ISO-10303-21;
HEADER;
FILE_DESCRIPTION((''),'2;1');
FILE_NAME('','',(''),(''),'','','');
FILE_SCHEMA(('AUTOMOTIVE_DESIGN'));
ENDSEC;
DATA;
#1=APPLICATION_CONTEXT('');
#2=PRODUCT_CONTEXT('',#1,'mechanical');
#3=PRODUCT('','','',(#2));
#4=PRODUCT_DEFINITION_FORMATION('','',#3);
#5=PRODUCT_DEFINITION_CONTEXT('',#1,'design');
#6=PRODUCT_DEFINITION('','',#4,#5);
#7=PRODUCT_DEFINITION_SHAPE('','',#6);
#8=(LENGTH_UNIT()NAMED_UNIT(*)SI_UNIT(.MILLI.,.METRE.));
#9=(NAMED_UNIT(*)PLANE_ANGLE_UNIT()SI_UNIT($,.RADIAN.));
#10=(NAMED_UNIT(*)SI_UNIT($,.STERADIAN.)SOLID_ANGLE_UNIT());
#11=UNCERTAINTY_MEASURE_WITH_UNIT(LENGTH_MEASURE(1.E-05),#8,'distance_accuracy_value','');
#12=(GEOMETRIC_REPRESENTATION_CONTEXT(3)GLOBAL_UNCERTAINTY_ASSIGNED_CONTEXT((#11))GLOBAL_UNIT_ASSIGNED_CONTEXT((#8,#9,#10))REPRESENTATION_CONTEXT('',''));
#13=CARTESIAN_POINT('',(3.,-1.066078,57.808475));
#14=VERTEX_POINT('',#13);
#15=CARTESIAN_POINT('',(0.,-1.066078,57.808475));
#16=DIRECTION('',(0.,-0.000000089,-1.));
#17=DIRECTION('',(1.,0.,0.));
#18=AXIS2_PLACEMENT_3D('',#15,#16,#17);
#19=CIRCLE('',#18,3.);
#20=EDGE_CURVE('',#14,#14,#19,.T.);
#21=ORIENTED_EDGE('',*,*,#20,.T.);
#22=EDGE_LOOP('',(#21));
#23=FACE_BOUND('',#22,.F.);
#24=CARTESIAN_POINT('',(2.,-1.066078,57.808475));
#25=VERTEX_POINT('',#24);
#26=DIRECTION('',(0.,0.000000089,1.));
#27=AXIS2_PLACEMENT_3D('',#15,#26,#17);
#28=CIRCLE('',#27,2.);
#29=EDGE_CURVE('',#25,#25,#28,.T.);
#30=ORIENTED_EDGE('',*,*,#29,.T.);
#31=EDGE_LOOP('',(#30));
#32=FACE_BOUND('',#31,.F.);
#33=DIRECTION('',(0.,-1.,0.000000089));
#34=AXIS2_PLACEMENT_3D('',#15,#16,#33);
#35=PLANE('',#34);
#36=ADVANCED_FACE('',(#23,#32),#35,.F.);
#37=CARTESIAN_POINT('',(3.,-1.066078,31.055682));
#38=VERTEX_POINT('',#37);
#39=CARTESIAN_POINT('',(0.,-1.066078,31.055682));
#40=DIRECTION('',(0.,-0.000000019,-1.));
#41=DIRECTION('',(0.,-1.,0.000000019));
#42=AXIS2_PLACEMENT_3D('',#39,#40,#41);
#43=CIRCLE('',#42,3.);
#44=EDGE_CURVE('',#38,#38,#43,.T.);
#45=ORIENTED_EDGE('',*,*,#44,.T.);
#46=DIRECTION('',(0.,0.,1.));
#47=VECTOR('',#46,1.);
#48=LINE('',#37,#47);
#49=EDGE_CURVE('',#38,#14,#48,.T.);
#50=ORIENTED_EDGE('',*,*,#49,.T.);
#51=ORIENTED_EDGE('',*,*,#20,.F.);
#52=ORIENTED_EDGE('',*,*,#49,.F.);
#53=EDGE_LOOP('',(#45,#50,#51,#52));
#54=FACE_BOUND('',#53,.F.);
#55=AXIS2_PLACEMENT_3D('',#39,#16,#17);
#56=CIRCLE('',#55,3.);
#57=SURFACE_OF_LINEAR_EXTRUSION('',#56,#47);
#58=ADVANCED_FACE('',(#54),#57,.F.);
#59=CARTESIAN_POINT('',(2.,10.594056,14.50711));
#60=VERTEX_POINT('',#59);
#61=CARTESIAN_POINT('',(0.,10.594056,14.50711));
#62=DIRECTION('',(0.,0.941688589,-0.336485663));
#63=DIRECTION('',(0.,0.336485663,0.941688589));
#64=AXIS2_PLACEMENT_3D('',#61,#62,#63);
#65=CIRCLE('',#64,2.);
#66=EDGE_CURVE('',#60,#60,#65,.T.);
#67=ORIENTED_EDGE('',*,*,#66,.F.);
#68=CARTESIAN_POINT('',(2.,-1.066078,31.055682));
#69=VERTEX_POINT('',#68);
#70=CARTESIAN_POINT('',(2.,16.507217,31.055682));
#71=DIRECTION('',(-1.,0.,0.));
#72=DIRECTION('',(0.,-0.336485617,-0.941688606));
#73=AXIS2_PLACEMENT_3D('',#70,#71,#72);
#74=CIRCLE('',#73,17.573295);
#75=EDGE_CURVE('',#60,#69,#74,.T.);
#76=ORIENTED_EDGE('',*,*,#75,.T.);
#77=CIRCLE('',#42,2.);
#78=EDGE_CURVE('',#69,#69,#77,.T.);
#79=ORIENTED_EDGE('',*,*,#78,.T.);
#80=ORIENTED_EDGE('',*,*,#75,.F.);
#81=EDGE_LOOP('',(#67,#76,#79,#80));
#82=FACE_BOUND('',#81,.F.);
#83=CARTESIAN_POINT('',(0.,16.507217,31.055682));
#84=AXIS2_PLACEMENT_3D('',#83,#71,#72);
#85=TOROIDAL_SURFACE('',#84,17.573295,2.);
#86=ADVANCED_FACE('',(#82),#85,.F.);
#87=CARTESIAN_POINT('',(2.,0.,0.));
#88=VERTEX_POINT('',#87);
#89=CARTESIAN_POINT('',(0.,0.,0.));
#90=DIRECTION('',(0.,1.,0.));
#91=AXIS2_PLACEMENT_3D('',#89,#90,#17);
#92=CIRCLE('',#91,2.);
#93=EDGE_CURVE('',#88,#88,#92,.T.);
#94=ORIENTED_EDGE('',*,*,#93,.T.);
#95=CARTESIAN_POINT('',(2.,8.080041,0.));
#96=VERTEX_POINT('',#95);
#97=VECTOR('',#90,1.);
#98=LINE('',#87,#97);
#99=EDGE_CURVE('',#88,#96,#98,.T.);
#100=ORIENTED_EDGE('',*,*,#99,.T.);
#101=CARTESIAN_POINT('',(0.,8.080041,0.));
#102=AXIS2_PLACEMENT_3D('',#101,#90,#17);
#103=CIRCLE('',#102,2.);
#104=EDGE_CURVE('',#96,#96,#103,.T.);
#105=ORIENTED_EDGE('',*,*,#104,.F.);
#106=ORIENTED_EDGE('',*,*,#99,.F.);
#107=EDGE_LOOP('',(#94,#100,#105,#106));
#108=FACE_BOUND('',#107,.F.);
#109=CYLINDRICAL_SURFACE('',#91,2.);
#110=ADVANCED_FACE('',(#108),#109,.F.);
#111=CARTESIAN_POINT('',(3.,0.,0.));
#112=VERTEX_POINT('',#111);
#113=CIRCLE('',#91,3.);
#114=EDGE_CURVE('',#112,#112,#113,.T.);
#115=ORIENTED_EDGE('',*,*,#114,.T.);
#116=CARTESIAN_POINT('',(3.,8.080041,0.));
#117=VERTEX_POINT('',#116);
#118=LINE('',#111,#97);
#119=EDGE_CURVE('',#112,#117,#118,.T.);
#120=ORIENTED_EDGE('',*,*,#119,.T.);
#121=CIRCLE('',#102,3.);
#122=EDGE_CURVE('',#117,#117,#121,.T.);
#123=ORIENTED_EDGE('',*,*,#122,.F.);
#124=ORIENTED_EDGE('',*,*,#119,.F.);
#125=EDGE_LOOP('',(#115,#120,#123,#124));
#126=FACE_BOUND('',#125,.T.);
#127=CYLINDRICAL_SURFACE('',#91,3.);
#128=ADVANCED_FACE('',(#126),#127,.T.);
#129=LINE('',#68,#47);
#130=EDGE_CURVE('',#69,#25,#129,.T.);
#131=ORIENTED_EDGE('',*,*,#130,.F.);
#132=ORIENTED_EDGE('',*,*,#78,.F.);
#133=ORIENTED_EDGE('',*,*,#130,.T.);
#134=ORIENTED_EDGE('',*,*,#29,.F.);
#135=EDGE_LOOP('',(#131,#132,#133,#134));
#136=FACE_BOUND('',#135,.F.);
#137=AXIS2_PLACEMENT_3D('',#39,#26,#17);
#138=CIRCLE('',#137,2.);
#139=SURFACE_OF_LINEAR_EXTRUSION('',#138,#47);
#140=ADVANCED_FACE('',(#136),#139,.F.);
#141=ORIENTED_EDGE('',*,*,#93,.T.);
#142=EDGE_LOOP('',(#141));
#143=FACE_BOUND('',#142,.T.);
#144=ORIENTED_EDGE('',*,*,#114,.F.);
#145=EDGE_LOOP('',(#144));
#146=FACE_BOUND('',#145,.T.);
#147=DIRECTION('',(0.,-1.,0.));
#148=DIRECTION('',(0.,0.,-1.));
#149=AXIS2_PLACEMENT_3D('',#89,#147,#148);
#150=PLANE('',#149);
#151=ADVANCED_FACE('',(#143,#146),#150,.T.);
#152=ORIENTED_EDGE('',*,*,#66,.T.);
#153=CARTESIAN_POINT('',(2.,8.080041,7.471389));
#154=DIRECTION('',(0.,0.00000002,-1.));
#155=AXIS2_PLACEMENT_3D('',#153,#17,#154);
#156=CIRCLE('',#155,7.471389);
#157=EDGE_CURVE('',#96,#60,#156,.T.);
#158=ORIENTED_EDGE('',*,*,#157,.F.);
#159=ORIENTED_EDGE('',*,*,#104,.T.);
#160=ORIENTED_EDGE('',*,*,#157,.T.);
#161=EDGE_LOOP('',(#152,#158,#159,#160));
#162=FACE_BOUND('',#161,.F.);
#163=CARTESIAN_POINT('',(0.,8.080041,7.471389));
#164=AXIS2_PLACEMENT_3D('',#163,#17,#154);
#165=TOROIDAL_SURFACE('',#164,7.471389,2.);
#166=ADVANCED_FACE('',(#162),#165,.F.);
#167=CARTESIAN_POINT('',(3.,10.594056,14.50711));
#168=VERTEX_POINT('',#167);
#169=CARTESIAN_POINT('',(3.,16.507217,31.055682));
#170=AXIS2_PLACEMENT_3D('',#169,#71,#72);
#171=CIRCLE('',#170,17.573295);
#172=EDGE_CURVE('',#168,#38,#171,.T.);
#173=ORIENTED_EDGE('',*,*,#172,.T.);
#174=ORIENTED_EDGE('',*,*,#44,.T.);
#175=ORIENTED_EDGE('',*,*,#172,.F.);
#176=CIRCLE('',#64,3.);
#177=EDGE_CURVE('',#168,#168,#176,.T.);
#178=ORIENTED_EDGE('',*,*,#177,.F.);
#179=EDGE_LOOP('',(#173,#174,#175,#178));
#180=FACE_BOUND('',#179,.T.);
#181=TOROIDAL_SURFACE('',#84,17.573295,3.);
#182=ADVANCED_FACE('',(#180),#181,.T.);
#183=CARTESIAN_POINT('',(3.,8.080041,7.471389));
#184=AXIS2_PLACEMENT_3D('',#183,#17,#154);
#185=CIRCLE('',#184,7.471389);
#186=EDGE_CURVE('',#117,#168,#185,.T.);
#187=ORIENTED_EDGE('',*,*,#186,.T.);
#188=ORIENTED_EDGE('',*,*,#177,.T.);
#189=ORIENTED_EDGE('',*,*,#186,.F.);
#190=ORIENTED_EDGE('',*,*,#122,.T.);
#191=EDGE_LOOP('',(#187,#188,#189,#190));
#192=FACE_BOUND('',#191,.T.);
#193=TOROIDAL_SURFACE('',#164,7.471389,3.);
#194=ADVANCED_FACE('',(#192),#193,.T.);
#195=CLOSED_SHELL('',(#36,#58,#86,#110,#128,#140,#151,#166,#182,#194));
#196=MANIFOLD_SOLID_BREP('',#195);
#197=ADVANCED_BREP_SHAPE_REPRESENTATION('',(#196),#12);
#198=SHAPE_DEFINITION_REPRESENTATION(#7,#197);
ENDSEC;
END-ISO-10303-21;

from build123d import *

# Parameters (mm, degrees)
SKETCH086_R   = 3
SKETCH086_R_2 = 2


with BuildPart() as part:
    # AdditivePipe002: sweep along a path in Sketch085
    with BuildLine(Plane.YZ) as additivepipe002_path:
        Line((0, 0), (8.080041, 0))
        ThreePointArc((8.080041, 0), (15.441707, 6.195646), (10.594056, 14.50711))
        ThreePointArc((10.594056, 14.50711), (2.14173, 20.933751), (-1.066078, 31.055682))
        Line((-1.066078, 31.055682), (-1.066078, 57.808475))
    # Sketch086 → AdditivePipe002 (sweep)
    with BuildSketch(Plane.XZ):
        Circle(SKETCH086_R)
        Circle(SKETCH086_R_2, mode=Mode.SUBTRACT)
    sweep(path=additivepipe002_path.line, is_frenet=True)


solid = part.part
